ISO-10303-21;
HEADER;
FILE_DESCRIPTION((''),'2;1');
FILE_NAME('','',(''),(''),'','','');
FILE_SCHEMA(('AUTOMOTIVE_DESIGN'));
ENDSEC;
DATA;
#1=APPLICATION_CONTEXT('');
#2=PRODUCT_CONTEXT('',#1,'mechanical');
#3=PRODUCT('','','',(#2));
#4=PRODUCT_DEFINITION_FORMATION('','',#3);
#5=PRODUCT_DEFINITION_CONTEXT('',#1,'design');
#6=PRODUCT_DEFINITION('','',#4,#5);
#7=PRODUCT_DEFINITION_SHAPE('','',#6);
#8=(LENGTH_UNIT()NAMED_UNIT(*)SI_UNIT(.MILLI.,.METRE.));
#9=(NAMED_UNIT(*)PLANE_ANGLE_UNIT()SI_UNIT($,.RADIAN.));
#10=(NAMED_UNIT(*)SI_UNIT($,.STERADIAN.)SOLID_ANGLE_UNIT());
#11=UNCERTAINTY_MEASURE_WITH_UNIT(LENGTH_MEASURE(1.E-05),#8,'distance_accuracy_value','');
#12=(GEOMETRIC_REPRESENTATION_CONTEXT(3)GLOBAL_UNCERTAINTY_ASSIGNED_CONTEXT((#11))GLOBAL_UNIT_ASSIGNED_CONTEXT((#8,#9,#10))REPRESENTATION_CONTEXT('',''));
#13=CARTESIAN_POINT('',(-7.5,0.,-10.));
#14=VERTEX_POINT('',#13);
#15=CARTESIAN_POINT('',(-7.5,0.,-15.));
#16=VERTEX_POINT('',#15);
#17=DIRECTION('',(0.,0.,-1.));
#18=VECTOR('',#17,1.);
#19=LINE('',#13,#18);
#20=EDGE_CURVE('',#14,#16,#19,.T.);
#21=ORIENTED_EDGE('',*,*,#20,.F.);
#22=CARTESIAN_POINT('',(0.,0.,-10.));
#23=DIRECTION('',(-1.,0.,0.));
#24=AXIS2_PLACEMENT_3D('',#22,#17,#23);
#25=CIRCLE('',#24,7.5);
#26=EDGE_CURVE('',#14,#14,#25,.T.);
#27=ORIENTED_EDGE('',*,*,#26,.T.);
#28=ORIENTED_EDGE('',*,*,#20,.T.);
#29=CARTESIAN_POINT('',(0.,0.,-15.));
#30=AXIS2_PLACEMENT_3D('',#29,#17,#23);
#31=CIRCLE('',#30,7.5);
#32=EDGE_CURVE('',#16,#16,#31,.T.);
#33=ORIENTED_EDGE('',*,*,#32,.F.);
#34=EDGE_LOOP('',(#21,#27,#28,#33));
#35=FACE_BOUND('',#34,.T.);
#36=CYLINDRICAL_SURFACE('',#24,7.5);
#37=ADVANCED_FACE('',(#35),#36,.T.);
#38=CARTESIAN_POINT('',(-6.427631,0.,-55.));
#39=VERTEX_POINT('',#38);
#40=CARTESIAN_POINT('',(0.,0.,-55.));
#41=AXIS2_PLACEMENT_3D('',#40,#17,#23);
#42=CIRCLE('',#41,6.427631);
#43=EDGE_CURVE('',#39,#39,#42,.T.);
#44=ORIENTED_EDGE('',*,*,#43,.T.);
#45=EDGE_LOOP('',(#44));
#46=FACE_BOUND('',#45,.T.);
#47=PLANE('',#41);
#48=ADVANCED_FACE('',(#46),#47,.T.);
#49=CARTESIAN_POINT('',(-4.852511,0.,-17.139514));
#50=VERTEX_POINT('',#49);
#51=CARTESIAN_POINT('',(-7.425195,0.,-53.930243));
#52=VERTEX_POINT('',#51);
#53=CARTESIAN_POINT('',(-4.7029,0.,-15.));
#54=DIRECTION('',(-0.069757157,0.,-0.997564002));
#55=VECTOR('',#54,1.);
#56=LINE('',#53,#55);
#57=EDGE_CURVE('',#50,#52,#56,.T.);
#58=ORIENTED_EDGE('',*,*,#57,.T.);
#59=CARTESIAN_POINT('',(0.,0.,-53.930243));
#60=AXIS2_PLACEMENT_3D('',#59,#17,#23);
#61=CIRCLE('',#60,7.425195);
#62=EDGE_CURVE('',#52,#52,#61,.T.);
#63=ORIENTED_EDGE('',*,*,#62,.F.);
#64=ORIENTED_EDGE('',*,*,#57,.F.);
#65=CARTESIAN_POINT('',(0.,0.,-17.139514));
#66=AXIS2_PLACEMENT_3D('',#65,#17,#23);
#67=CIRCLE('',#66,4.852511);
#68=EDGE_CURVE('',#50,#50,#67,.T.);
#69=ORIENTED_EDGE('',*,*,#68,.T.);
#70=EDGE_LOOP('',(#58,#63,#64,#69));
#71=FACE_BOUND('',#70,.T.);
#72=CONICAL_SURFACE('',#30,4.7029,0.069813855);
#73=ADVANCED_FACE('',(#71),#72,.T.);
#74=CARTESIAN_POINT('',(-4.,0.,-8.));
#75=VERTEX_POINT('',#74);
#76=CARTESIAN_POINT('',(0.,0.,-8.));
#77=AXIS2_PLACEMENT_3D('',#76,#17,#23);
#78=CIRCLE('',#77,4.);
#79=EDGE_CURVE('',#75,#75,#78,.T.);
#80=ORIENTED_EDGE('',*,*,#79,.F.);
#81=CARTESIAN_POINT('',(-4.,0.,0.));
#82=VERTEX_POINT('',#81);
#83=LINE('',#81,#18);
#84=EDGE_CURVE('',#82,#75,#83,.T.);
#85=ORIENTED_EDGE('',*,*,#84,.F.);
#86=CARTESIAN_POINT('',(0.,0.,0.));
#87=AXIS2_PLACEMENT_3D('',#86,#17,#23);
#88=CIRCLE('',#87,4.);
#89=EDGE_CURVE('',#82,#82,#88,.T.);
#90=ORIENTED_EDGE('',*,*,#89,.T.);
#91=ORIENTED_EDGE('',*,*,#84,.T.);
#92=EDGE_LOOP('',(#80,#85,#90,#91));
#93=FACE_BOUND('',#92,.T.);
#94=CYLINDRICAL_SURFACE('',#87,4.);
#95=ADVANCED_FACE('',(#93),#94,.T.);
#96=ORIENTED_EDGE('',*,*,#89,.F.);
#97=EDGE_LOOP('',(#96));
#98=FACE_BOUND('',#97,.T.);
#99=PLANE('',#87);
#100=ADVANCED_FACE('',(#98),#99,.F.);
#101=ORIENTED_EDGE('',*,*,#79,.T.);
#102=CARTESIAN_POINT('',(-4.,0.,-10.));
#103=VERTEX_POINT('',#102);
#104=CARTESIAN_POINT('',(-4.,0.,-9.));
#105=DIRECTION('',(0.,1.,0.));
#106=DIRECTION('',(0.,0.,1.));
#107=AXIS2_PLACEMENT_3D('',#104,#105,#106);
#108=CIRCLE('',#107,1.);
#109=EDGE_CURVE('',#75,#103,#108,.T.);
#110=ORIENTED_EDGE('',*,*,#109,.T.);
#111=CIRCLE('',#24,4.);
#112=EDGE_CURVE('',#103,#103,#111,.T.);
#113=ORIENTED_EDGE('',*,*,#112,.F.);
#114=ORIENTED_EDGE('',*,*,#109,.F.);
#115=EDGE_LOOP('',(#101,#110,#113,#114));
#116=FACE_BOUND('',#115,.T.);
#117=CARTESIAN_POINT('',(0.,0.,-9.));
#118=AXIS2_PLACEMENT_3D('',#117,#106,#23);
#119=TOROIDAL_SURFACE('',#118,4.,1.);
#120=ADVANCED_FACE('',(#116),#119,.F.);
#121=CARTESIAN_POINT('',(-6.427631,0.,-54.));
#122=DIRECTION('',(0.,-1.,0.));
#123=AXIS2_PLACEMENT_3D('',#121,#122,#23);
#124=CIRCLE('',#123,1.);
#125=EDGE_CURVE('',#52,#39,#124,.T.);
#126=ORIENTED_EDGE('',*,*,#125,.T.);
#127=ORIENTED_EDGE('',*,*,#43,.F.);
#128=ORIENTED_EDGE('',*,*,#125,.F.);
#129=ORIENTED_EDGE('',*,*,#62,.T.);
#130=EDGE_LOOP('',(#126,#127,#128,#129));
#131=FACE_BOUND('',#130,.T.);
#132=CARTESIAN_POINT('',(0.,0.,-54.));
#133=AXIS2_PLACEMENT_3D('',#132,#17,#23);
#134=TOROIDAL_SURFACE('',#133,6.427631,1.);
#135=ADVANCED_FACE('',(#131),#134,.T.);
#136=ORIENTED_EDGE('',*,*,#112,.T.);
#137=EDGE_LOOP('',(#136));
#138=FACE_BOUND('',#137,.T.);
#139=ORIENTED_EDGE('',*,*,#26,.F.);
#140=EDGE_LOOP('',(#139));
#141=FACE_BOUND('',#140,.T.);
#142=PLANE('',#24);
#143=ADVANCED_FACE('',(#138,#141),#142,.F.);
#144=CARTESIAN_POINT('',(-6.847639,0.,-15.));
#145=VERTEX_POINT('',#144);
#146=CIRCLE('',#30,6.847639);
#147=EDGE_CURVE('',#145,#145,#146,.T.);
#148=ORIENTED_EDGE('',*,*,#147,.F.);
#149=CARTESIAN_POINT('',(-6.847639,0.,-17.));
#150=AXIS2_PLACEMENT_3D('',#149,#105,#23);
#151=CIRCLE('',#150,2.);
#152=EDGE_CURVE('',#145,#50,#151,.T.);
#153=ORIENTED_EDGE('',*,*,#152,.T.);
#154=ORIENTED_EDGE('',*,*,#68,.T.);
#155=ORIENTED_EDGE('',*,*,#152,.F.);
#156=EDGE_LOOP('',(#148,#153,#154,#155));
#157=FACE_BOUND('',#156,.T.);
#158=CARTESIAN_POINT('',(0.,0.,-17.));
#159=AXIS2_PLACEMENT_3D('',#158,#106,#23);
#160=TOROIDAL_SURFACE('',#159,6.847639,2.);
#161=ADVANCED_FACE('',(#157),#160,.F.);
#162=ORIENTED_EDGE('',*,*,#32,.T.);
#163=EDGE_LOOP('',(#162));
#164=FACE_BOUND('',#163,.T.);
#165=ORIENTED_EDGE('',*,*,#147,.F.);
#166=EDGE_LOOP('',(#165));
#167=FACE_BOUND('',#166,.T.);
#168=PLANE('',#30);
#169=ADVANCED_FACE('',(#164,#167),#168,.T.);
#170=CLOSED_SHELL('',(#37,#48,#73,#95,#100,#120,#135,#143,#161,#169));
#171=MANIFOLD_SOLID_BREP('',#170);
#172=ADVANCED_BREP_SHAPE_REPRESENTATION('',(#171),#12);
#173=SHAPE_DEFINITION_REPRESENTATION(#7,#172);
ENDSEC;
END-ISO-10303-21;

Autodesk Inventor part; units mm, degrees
ref_plane "YZ Plane" through (0, 0, 0) normal (1, 0, 0) x (0, 1, 0)
ref_plane "XZ Plane" through (0, 0, 0) normal (0, 1, 0) x (-1, 0, 0)
ref_plane "XY Plane" through (0, 0, 0) normal (0, 0, 1) x (1, 0, 0)
sketch "Skizze1" plane through (0, 0, 0) normal (0, 1, 0) x (-1, 0, 0)
  line L0 (0, 0) -> (0, -55)
  line L1 (0, 0) -> (4, 0)
  line L2 (4, 0) -> (4, -8)
  arc A0 (4, -8) -> (4, -10) centre (4, -9) ccw
  line L3 (4, -10) -> (7.5, -10)
  line L4 (7.5, -10) -> (7.5, -15)
  line L5 (7.5, -15) -> (4.7029, -15)
  line L6 (4.7029, -15) -> (7.5, -55)
  line L7 (7.5, -55) -> (0, -55)
  point P0 (2, 0)
  dimension "d0" = 4
  dimension "d1" = 5
  dimension "d2" = 8
  dimension "d3" = 15
  dimension "d4" = 8
  dimension "d5" = 10
  dimension "d6" = 55
  dimension "d7" = 15
revolve "Umdrehung1" add sketch "Skizze1" angle 360 about axis through (0, 0, 0) along (0, 0, -1)
fillet "Rundung1" radius 2 1 edges at (4.7029, 0, -15)
fillet "Rundung2" radius 1 1 edges at (7.5, 0, -55)
properties part number "Griff" material "Stahl, galvanisiert"
